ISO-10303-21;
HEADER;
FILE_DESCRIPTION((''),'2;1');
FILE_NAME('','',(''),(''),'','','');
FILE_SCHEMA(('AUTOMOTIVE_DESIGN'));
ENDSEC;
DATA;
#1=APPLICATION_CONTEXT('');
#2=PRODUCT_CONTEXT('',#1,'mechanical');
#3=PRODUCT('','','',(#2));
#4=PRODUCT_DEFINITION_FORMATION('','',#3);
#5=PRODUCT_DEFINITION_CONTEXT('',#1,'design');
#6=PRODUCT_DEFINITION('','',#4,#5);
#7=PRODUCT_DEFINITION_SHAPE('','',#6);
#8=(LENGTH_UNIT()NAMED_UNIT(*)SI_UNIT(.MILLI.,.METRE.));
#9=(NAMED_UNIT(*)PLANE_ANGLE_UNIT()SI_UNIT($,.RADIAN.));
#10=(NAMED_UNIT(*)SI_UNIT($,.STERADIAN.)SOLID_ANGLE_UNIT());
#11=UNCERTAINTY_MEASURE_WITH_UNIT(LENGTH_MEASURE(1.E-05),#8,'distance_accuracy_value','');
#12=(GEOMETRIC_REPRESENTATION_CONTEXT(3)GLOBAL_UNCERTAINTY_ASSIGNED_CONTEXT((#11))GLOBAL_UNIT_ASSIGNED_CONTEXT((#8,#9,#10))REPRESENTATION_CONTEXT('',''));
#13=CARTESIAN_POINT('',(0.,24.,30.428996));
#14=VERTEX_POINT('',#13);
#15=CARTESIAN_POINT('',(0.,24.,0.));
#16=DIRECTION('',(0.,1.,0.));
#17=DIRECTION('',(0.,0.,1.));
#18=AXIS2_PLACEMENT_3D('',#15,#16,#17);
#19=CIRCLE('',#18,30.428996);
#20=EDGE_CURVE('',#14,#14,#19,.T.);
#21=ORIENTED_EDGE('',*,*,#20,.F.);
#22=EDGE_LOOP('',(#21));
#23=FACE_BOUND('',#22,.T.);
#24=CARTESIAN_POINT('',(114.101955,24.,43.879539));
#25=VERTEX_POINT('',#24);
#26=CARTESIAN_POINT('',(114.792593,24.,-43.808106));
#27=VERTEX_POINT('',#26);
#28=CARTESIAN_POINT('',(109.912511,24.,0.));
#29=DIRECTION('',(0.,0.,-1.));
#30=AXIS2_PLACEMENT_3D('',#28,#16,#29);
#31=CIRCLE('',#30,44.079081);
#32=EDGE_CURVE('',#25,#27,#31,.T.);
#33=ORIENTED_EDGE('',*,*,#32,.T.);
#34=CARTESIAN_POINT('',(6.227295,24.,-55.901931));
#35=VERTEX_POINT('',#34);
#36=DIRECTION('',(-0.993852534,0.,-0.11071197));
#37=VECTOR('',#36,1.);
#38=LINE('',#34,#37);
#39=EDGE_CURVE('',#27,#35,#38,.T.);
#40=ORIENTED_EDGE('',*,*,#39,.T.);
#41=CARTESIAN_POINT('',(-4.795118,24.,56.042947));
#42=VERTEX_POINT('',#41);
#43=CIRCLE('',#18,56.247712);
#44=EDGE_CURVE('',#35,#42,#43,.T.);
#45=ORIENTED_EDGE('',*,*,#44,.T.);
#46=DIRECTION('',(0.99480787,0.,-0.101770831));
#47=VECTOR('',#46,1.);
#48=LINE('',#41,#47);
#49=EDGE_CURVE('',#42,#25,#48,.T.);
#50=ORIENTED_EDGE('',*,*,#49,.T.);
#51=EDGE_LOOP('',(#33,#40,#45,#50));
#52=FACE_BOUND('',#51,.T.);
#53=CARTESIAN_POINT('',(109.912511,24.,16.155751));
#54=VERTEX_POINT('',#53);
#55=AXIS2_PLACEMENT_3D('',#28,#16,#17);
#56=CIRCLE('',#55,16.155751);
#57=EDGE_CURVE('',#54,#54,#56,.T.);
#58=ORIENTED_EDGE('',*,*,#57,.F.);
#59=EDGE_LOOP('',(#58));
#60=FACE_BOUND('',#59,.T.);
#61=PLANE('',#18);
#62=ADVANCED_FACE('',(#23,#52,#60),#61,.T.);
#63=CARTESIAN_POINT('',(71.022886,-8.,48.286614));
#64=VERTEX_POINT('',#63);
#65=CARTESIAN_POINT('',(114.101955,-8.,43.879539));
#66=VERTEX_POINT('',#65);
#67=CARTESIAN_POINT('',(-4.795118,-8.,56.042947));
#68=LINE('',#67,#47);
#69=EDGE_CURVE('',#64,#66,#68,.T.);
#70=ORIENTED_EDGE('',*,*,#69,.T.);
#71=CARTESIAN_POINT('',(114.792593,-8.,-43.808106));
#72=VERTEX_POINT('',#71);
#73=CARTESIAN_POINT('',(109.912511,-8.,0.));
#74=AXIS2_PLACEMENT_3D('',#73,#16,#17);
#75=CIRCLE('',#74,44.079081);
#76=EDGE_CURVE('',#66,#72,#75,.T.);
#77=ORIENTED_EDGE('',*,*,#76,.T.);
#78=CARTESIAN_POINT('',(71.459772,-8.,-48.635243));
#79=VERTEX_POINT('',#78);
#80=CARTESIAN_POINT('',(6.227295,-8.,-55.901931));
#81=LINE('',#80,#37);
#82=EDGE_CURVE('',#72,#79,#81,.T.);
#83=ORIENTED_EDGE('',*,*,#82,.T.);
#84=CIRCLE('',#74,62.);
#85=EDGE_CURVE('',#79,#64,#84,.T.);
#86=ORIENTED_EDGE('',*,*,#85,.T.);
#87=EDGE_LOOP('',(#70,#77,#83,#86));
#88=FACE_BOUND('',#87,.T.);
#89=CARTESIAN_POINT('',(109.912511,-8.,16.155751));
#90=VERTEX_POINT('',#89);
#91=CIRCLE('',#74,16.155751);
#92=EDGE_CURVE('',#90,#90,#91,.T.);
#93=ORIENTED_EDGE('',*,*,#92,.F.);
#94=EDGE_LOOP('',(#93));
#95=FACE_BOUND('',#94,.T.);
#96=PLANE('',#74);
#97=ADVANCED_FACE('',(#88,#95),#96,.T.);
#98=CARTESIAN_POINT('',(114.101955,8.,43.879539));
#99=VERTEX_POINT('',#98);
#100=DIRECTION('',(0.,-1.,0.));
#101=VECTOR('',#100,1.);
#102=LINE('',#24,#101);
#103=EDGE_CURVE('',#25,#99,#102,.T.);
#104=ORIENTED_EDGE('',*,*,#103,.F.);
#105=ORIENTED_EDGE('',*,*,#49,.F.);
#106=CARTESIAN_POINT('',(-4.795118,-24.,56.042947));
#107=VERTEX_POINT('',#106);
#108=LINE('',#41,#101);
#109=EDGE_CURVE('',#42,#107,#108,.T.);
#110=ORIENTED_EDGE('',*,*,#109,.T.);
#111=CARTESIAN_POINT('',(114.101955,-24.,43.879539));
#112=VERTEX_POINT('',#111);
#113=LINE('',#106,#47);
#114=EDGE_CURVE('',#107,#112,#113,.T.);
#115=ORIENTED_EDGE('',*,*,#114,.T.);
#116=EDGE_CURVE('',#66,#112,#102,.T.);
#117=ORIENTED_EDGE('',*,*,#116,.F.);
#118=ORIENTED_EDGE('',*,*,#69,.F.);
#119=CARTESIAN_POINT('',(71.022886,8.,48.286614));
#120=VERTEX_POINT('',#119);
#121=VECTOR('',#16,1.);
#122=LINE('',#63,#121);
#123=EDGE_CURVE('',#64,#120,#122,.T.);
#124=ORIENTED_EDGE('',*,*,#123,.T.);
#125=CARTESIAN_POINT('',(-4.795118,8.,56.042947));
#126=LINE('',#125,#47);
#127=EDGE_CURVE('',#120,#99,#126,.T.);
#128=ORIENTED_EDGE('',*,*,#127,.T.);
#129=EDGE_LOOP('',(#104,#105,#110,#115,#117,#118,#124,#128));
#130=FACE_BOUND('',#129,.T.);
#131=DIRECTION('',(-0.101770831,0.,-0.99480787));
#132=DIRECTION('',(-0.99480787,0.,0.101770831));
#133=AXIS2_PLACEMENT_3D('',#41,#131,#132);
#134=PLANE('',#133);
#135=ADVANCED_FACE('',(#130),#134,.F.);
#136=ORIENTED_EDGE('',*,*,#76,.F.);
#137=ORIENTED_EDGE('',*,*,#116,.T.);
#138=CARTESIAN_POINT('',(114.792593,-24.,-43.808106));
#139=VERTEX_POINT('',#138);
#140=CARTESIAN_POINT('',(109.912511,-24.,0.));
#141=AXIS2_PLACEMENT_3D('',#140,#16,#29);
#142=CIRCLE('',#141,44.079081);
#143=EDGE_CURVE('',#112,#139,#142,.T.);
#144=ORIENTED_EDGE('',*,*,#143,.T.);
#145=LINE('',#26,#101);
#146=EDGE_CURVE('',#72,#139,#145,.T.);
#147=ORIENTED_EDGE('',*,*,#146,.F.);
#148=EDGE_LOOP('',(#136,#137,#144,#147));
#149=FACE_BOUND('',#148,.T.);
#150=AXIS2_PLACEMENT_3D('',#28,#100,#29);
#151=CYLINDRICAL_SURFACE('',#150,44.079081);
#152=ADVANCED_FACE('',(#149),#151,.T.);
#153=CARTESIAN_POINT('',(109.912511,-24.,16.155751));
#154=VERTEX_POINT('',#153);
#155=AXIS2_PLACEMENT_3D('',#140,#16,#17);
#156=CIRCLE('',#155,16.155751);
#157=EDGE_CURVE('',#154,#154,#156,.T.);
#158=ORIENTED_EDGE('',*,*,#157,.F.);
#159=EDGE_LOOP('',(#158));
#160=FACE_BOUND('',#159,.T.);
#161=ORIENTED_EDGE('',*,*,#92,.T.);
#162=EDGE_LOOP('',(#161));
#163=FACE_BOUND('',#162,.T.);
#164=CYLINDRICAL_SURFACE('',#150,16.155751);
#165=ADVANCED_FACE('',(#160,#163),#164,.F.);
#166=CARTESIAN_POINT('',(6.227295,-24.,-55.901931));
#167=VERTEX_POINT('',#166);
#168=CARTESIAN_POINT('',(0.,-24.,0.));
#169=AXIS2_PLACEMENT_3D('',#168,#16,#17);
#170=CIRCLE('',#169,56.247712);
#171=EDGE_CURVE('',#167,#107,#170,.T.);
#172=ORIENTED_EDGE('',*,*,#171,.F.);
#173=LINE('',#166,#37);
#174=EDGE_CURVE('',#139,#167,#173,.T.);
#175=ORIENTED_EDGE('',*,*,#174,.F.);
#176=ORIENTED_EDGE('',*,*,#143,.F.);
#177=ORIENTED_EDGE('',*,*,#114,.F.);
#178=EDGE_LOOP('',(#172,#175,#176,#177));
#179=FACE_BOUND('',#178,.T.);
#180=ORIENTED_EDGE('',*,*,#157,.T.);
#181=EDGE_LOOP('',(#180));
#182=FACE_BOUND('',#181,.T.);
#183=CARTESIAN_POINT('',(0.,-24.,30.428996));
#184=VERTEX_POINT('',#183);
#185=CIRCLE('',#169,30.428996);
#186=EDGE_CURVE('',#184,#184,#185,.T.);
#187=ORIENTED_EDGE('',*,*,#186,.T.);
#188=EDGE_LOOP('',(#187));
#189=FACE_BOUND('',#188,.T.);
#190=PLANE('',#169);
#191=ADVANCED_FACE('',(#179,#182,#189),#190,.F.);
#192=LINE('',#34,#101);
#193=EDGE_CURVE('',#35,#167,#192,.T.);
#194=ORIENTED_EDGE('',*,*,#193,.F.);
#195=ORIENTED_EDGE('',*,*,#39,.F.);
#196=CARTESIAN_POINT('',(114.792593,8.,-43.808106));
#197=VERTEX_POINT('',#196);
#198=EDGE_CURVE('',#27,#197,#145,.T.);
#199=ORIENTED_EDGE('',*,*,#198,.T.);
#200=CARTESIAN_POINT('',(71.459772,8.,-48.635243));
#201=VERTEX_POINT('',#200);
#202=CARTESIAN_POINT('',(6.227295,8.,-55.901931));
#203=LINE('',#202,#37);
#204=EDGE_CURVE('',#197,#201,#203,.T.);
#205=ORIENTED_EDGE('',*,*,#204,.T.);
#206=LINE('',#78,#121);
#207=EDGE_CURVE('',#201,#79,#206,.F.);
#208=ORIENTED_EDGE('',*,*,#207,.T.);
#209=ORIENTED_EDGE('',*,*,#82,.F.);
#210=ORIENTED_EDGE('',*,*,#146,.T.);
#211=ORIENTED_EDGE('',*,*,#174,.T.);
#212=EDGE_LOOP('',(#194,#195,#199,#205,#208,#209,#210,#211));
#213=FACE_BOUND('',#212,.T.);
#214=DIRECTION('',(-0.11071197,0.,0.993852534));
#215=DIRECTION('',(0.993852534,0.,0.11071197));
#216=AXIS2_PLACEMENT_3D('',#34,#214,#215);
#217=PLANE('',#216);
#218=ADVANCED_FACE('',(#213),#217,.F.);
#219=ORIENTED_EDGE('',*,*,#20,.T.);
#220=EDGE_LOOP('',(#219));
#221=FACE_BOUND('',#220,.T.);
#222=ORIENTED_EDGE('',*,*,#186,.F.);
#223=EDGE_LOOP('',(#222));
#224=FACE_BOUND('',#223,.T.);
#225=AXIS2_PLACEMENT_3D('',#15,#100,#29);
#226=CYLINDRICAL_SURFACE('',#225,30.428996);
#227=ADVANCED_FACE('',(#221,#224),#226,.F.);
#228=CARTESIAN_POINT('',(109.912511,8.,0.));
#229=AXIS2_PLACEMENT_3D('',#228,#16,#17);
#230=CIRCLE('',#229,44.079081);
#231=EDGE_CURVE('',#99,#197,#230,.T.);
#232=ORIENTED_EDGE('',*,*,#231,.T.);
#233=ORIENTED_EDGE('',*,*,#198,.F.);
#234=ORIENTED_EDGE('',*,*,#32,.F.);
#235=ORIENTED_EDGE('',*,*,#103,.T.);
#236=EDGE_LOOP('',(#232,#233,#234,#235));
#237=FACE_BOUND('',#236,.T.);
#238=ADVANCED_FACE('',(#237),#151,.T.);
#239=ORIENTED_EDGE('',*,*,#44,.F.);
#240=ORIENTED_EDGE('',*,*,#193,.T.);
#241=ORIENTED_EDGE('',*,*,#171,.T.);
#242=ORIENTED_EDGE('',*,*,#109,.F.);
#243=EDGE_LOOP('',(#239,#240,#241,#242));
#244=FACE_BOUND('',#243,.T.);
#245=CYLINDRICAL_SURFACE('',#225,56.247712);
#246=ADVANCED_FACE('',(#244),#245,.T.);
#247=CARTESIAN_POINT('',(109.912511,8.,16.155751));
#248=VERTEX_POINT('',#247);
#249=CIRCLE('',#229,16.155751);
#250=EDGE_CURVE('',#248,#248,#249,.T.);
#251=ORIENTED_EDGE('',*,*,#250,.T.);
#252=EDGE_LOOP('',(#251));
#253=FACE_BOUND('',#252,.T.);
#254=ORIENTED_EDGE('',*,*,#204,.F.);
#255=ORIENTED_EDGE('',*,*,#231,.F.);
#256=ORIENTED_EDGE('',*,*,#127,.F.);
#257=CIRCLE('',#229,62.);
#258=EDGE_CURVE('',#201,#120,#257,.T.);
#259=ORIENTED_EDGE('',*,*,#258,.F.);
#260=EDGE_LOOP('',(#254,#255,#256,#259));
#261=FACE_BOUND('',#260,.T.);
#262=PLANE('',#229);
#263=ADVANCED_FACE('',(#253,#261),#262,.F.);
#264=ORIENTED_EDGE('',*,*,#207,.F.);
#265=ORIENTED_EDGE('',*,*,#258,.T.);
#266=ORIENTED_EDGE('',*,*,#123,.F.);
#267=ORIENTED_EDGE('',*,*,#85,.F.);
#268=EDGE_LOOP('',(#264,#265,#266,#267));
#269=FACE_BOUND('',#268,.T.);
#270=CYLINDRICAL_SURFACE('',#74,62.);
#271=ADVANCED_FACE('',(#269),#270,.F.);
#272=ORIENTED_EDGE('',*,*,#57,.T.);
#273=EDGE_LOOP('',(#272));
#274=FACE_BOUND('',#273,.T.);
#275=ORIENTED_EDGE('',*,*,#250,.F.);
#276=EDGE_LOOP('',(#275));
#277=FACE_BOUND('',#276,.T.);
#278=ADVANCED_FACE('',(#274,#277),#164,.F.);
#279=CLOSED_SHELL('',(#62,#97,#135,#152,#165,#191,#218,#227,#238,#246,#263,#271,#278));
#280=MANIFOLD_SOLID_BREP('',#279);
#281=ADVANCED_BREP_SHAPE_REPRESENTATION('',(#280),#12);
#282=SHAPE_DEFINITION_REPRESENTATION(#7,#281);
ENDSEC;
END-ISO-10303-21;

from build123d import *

# Parameters (mm, degrees)
SKETCH_1_R          = 30.428996358
SKETCH_1_R_2        = 16.155751461
EXTRUDE_2_DEPTH     = 24
SKETCH_2_R          = 62
CUT_EXTRUDE_1_DEPTH = 8


with BuildPart() as part:
    # Эскиз1 → Бобышка-Вытянуть2 (new body, symmetric)
    with BuildSketch(Plane(origin=(0, 0, 0), x_dir=(1, 0, 0), z_dir=(0, 1, 0))):
        with BuildLine():
            Line((6.227294987, 55.90193086), (114.792593034, 43.808106445))
            ThreePointArc((114.792593034, 43.808106445), (153.990225093, -0.347161193), (114.101954958, -43.879539083))
            Line((114.101954958, -43.879539083), (-4.795118465, -56.042947064))
            ThreePointArc((-4.795118465, -56.042947064), (-55.977019444, 5.511657733), (6.227294987, 55.90193086))
        make_face()
        Circle(SKETCH_1_R, mode=Mode.SUBTRACT)
        with Locations((109.912511122, 0)):
            Circle(SKETCH_1_R_2, mode=Mode.SUBTRACT)
    extrude(amount=EXTRUDE_2_DEPTH, both=True)

    # Эскиз2 → Вырез-Вытянуть1 (cut, symmetric)
    with BuildSketch(Plane(origin=(0, 0, 0), x_dir=(1, 0, 0), z_dir=(0, 1, 0))):
        with Locations((109.912511122, 0)):
            Circle(SKETCH_2_R)
    extrude(amount=CUT_EXTRUDE_1_DEPTH, both=True, mode=Mode.SUBTRACT)


solid = part.part
